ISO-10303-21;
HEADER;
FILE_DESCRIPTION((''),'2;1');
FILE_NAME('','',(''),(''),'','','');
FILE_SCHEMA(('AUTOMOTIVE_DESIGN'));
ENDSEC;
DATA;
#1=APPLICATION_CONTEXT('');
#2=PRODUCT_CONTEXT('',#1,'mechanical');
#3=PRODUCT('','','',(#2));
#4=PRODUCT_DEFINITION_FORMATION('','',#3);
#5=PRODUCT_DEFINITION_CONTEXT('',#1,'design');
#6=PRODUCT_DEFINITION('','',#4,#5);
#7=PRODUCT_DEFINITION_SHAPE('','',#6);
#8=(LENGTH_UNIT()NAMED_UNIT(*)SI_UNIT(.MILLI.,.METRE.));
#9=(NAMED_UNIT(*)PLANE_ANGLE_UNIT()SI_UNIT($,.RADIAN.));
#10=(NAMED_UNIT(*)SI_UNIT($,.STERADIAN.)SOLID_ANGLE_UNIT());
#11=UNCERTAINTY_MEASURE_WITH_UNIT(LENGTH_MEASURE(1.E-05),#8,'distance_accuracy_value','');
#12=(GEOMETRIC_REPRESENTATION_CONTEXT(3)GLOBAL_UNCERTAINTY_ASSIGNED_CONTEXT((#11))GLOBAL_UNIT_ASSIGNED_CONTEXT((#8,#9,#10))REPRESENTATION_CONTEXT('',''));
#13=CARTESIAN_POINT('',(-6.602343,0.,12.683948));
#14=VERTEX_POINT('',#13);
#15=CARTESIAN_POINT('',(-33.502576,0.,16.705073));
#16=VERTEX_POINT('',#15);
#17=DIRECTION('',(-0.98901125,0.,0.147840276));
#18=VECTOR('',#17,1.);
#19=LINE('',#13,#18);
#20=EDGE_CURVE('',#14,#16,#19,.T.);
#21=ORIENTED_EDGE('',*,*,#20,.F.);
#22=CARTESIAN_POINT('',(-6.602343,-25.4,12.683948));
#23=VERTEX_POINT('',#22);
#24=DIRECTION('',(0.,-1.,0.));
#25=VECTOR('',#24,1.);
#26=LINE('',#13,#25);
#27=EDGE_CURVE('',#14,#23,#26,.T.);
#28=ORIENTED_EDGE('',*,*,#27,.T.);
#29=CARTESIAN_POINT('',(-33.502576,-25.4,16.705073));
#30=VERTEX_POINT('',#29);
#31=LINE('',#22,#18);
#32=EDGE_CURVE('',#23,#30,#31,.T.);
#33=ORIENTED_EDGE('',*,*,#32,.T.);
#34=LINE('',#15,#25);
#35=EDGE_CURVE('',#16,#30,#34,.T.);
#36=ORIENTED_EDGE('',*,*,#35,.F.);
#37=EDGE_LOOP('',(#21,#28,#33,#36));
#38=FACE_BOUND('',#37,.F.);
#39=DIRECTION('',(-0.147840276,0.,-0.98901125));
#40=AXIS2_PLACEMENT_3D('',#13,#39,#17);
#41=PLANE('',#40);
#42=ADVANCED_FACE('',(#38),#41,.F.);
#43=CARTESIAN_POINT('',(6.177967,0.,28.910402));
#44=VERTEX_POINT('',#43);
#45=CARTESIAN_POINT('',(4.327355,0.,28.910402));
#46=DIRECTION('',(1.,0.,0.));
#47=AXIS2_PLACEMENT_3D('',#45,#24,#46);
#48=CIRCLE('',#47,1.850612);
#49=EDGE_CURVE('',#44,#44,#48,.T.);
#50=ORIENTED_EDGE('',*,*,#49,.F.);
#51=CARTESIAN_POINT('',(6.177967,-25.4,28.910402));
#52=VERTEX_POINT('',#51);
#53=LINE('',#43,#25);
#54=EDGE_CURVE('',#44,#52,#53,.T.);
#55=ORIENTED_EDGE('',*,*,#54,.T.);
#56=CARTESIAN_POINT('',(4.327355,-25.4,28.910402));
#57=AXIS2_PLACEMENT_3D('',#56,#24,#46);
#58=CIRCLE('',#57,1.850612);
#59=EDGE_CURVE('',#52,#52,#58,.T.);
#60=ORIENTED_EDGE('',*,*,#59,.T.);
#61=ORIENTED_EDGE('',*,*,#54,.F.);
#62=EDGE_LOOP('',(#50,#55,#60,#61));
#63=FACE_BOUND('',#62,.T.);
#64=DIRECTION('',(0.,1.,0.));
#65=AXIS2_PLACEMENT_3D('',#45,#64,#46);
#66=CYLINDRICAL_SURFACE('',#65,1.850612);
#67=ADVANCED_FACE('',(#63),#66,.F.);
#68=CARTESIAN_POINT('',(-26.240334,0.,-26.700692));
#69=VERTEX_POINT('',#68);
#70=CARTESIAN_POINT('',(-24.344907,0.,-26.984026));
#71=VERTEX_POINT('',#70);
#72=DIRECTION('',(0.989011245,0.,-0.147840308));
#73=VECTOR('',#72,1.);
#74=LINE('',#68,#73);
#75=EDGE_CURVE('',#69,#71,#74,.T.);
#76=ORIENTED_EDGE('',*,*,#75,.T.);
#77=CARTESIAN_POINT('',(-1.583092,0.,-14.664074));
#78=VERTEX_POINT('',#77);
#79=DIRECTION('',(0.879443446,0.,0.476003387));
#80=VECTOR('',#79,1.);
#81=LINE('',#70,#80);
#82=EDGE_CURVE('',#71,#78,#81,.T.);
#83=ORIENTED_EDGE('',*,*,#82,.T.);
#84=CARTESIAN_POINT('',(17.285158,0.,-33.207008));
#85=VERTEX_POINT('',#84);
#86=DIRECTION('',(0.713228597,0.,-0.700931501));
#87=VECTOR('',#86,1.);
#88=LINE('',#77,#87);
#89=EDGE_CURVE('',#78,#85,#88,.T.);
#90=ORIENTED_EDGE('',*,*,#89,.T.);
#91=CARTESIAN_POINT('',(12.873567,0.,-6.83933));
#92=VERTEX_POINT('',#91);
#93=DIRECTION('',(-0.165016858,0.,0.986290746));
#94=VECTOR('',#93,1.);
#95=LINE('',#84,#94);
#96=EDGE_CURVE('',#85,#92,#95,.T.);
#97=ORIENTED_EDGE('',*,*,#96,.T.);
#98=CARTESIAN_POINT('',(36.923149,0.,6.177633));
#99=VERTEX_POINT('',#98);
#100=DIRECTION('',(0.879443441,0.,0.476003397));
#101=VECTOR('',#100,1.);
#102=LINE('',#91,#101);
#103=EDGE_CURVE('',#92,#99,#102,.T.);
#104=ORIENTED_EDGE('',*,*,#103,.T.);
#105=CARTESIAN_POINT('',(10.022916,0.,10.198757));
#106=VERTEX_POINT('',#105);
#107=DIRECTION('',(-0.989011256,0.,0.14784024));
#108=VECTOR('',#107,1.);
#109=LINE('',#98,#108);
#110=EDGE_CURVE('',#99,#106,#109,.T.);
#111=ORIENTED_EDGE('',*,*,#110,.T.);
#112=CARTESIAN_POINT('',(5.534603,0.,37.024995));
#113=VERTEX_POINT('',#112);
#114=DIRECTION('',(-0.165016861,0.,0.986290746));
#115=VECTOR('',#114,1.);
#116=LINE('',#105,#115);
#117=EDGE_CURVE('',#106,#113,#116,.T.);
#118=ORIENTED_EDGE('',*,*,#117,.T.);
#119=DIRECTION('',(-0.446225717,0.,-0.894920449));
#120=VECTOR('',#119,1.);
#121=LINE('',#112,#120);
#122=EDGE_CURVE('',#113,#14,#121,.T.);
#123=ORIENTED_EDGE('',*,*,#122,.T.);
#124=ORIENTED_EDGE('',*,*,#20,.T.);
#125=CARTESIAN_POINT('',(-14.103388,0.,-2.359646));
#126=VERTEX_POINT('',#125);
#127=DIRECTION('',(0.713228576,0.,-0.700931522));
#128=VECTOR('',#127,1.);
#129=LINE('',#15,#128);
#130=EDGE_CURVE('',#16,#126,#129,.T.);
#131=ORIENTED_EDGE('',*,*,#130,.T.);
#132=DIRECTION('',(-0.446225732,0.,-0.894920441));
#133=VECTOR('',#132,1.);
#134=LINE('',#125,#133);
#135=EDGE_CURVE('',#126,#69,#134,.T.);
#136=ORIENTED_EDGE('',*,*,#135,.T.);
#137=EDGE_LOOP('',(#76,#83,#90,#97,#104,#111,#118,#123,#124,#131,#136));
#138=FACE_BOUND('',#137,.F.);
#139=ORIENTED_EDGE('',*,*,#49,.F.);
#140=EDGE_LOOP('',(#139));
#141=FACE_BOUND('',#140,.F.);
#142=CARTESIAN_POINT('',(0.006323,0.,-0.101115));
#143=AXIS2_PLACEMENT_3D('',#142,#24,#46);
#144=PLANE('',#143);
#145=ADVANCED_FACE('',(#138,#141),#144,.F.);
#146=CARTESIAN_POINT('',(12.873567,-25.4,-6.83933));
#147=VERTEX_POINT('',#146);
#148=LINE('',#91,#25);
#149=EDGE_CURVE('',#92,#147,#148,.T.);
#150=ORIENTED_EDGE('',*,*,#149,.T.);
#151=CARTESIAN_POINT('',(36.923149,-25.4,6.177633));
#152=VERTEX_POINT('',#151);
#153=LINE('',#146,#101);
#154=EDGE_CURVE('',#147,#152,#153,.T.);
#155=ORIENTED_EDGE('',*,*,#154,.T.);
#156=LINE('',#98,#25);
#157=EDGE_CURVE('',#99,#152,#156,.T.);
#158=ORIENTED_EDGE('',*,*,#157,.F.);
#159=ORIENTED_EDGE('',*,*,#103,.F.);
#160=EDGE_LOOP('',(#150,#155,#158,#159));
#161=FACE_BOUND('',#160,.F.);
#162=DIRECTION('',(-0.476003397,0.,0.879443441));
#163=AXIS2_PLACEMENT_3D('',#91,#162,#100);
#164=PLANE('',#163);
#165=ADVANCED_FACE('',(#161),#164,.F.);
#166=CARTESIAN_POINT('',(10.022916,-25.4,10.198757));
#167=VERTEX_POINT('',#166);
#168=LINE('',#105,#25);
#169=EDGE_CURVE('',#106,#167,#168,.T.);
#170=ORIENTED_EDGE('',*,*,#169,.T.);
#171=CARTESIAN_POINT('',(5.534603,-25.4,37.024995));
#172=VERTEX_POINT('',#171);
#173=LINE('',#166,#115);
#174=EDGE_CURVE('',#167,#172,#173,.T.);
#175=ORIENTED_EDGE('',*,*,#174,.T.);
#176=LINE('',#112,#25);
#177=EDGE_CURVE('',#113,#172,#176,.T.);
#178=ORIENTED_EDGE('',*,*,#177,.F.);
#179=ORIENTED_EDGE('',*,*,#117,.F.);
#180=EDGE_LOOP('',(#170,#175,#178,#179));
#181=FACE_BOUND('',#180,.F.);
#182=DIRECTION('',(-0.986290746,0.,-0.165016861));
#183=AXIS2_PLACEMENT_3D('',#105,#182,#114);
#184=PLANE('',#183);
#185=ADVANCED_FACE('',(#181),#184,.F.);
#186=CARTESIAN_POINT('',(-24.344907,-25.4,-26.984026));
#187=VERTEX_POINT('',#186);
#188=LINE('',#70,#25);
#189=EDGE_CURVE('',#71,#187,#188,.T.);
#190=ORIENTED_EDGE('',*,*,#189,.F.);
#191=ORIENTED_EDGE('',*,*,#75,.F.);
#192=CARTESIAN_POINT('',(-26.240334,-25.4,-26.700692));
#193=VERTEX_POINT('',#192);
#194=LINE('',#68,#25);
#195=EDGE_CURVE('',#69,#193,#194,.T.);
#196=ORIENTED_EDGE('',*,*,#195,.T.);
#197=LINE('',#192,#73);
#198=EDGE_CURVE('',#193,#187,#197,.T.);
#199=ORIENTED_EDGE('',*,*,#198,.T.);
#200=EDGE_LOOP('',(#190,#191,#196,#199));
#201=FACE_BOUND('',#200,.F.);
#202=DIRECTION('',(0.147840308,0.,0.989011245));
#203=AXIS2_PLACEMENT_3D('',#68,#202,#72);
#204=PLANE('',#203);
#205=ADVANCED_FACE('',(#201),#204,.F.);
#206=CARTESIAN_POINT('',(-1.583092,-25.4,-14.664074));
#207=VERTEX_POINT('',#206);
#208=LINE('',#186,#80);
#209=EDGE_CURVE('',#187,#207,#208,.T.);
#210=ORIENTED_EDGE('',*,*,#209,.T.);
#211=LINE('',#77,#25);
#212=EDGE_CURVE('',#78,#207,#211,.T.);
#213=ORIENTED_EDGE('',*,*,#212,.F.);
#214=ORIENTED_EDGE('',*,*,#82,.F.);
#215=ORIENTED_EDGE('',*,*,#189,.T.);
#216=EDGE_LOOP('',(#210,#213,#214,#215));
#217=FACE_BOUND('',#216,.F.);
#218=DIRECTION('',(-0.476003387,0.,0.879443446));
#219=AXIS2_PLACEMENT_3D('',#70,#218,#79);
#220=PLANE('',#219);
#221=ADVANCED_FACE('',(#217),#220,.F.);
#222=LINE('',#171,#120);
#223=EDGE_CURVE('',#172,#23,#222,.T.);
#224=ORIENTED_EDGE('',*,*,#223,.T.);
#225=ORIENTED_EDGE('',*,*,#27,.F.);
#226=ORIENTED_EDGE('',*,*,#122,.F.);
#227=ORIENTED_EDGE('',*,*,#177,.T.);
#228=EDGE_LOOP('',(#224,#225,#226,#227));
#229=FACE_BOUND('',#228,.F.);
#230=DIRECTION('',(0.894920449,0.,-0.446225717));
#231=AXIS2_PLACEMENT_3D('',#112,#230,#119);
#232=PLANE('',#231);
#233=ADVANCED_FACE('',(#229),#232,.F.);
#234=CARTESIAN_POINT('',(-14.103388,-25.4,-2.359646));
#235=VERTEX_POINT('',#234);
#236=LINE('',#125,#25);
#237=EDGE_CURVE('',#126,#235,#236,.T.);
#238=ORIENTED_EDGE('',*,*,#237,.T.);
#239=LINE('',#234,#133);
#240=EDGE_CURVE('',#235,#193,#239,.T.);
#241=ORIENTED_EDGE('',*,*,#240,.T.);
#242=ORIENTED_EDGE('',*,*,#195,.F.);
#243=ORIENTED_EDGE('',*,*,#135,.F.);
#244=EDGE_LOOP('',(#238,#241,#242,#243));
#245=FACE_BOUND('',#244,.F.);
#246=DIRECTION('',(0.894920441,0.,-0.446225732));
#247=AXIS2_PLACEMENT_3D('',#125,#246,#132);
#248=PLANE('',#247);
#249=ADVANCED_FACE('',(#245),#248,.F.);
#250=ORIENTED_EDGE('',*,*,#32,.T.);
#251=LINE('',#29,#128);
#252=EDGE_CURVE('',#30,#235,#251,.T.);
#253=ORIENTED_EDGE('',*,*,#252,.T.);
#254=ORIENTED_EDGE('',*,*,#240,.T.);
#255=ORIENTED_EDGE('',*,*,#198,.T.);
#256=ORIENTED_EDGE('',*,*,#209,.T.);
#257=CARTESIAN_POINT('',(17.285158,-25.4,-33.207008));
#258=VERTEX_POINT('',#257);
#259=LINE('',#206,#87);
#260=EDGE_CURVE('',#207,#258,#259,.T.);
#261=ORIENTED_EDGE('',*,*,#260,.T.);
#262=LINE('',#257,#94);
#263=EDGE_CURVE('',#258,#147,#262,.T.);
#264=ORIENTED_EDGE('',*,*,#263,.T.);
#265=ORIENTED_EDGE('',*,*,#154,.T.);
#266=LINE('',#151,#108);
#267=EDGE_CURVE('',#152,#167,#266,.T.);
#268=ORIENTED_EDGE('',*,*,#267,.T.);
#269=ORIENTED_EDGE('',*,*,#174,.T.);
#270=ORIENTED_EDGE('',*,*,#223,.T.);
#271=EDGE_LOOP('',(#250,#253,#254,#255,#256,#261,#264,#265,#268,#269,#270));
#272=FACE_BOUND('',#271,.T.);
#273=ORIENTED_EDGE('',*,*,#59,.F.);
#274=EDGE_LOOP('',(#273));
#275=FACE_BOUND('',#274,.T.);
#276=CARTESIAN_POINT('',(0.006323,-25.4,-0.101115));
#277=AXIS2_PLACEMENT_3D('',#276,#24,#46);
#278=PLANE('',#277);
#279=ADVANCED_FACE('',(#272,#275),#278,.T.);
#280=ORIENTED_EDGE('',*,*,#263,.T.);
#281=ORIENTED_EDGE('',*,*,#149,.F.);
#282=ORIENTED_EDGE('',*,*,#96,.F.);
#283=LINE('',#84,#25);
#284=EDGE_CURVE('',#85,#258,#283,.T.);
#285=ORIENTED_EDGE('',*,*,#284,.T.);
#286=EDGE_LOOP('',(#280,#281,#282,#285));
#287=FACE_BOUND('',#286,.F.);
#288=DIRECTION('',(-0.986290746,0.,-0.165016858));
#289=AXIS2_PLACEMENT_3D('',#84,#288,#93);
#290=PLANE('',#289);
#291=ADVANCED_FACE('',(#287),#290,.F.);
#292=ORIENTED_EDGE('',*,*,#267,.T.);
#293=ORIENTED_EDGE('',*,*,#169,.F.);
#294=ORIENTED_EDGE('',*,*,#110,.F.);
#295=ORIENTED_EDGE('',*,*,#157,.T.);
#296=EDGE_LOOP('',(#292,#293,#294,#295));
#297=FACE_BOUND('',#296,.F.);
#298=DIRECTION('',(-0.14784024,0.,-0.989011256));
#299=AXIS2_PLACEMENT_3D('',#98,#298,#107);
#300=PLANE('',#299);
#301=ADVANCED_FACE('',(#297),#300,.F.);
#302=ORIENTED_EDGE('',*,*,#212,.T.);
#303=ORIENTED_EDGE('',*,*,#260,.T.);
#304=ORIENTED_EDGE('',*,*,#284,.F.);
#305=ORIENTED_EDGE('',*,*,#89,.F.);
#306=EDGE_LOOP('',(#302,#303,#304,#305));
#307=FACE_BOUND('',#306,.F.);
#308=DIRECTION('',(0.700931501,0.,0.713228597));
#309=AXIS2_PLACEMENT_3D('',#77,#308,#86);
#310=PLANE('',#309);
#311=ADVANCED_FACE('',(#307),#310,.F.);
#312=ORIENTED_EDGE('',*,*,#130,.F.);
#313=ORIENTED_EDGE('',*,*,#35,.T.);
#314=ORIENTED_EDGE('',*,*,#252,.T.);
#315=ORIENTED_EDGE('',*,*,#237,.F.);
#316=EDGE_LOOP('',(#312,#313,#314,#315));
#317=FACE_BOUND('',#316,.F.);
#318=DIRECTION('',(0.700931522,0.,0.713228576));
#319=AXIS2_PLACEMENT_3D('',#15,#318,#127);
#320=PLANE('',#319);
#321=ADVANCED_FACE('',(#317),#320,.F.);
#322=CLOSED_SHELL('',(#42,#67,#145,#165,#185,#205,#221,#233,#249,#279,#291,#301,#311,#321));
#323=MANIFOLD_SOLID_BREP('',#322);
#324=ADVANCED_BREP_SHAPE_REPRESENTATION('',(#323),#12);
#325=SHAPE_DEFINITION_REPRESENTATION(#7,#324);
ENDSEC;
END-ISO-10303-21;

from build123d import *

# Parameters (mm, degrees)
F0_R     = 1.850612
F1_DEPTH = 25.4


with BuildPart() as f1:
    # F0 (on Front) → F1 (new body)
    with BuildSketch(Plane.XZ):
        Polygon((-26.240334, -26.700692), (-24.344907, -26.984026), (-1.583092, -14.664074), (17.285158, -33.207008), (12.873567, -6.83933), (36.923149, 6.177633), (10.022916, 10.198757), (5.534603, 37.024995), (-6.602343, 12.683948), (-33.502576, 16.705073), (-14.103388, -2.359646), align=None)
        with Locations((4.327355, 28.910402)):
            Circle(F0_R, mode=Mode.SUBTRACT)
    extrude(amount=F1_DEPTH)


solid = f1.part
